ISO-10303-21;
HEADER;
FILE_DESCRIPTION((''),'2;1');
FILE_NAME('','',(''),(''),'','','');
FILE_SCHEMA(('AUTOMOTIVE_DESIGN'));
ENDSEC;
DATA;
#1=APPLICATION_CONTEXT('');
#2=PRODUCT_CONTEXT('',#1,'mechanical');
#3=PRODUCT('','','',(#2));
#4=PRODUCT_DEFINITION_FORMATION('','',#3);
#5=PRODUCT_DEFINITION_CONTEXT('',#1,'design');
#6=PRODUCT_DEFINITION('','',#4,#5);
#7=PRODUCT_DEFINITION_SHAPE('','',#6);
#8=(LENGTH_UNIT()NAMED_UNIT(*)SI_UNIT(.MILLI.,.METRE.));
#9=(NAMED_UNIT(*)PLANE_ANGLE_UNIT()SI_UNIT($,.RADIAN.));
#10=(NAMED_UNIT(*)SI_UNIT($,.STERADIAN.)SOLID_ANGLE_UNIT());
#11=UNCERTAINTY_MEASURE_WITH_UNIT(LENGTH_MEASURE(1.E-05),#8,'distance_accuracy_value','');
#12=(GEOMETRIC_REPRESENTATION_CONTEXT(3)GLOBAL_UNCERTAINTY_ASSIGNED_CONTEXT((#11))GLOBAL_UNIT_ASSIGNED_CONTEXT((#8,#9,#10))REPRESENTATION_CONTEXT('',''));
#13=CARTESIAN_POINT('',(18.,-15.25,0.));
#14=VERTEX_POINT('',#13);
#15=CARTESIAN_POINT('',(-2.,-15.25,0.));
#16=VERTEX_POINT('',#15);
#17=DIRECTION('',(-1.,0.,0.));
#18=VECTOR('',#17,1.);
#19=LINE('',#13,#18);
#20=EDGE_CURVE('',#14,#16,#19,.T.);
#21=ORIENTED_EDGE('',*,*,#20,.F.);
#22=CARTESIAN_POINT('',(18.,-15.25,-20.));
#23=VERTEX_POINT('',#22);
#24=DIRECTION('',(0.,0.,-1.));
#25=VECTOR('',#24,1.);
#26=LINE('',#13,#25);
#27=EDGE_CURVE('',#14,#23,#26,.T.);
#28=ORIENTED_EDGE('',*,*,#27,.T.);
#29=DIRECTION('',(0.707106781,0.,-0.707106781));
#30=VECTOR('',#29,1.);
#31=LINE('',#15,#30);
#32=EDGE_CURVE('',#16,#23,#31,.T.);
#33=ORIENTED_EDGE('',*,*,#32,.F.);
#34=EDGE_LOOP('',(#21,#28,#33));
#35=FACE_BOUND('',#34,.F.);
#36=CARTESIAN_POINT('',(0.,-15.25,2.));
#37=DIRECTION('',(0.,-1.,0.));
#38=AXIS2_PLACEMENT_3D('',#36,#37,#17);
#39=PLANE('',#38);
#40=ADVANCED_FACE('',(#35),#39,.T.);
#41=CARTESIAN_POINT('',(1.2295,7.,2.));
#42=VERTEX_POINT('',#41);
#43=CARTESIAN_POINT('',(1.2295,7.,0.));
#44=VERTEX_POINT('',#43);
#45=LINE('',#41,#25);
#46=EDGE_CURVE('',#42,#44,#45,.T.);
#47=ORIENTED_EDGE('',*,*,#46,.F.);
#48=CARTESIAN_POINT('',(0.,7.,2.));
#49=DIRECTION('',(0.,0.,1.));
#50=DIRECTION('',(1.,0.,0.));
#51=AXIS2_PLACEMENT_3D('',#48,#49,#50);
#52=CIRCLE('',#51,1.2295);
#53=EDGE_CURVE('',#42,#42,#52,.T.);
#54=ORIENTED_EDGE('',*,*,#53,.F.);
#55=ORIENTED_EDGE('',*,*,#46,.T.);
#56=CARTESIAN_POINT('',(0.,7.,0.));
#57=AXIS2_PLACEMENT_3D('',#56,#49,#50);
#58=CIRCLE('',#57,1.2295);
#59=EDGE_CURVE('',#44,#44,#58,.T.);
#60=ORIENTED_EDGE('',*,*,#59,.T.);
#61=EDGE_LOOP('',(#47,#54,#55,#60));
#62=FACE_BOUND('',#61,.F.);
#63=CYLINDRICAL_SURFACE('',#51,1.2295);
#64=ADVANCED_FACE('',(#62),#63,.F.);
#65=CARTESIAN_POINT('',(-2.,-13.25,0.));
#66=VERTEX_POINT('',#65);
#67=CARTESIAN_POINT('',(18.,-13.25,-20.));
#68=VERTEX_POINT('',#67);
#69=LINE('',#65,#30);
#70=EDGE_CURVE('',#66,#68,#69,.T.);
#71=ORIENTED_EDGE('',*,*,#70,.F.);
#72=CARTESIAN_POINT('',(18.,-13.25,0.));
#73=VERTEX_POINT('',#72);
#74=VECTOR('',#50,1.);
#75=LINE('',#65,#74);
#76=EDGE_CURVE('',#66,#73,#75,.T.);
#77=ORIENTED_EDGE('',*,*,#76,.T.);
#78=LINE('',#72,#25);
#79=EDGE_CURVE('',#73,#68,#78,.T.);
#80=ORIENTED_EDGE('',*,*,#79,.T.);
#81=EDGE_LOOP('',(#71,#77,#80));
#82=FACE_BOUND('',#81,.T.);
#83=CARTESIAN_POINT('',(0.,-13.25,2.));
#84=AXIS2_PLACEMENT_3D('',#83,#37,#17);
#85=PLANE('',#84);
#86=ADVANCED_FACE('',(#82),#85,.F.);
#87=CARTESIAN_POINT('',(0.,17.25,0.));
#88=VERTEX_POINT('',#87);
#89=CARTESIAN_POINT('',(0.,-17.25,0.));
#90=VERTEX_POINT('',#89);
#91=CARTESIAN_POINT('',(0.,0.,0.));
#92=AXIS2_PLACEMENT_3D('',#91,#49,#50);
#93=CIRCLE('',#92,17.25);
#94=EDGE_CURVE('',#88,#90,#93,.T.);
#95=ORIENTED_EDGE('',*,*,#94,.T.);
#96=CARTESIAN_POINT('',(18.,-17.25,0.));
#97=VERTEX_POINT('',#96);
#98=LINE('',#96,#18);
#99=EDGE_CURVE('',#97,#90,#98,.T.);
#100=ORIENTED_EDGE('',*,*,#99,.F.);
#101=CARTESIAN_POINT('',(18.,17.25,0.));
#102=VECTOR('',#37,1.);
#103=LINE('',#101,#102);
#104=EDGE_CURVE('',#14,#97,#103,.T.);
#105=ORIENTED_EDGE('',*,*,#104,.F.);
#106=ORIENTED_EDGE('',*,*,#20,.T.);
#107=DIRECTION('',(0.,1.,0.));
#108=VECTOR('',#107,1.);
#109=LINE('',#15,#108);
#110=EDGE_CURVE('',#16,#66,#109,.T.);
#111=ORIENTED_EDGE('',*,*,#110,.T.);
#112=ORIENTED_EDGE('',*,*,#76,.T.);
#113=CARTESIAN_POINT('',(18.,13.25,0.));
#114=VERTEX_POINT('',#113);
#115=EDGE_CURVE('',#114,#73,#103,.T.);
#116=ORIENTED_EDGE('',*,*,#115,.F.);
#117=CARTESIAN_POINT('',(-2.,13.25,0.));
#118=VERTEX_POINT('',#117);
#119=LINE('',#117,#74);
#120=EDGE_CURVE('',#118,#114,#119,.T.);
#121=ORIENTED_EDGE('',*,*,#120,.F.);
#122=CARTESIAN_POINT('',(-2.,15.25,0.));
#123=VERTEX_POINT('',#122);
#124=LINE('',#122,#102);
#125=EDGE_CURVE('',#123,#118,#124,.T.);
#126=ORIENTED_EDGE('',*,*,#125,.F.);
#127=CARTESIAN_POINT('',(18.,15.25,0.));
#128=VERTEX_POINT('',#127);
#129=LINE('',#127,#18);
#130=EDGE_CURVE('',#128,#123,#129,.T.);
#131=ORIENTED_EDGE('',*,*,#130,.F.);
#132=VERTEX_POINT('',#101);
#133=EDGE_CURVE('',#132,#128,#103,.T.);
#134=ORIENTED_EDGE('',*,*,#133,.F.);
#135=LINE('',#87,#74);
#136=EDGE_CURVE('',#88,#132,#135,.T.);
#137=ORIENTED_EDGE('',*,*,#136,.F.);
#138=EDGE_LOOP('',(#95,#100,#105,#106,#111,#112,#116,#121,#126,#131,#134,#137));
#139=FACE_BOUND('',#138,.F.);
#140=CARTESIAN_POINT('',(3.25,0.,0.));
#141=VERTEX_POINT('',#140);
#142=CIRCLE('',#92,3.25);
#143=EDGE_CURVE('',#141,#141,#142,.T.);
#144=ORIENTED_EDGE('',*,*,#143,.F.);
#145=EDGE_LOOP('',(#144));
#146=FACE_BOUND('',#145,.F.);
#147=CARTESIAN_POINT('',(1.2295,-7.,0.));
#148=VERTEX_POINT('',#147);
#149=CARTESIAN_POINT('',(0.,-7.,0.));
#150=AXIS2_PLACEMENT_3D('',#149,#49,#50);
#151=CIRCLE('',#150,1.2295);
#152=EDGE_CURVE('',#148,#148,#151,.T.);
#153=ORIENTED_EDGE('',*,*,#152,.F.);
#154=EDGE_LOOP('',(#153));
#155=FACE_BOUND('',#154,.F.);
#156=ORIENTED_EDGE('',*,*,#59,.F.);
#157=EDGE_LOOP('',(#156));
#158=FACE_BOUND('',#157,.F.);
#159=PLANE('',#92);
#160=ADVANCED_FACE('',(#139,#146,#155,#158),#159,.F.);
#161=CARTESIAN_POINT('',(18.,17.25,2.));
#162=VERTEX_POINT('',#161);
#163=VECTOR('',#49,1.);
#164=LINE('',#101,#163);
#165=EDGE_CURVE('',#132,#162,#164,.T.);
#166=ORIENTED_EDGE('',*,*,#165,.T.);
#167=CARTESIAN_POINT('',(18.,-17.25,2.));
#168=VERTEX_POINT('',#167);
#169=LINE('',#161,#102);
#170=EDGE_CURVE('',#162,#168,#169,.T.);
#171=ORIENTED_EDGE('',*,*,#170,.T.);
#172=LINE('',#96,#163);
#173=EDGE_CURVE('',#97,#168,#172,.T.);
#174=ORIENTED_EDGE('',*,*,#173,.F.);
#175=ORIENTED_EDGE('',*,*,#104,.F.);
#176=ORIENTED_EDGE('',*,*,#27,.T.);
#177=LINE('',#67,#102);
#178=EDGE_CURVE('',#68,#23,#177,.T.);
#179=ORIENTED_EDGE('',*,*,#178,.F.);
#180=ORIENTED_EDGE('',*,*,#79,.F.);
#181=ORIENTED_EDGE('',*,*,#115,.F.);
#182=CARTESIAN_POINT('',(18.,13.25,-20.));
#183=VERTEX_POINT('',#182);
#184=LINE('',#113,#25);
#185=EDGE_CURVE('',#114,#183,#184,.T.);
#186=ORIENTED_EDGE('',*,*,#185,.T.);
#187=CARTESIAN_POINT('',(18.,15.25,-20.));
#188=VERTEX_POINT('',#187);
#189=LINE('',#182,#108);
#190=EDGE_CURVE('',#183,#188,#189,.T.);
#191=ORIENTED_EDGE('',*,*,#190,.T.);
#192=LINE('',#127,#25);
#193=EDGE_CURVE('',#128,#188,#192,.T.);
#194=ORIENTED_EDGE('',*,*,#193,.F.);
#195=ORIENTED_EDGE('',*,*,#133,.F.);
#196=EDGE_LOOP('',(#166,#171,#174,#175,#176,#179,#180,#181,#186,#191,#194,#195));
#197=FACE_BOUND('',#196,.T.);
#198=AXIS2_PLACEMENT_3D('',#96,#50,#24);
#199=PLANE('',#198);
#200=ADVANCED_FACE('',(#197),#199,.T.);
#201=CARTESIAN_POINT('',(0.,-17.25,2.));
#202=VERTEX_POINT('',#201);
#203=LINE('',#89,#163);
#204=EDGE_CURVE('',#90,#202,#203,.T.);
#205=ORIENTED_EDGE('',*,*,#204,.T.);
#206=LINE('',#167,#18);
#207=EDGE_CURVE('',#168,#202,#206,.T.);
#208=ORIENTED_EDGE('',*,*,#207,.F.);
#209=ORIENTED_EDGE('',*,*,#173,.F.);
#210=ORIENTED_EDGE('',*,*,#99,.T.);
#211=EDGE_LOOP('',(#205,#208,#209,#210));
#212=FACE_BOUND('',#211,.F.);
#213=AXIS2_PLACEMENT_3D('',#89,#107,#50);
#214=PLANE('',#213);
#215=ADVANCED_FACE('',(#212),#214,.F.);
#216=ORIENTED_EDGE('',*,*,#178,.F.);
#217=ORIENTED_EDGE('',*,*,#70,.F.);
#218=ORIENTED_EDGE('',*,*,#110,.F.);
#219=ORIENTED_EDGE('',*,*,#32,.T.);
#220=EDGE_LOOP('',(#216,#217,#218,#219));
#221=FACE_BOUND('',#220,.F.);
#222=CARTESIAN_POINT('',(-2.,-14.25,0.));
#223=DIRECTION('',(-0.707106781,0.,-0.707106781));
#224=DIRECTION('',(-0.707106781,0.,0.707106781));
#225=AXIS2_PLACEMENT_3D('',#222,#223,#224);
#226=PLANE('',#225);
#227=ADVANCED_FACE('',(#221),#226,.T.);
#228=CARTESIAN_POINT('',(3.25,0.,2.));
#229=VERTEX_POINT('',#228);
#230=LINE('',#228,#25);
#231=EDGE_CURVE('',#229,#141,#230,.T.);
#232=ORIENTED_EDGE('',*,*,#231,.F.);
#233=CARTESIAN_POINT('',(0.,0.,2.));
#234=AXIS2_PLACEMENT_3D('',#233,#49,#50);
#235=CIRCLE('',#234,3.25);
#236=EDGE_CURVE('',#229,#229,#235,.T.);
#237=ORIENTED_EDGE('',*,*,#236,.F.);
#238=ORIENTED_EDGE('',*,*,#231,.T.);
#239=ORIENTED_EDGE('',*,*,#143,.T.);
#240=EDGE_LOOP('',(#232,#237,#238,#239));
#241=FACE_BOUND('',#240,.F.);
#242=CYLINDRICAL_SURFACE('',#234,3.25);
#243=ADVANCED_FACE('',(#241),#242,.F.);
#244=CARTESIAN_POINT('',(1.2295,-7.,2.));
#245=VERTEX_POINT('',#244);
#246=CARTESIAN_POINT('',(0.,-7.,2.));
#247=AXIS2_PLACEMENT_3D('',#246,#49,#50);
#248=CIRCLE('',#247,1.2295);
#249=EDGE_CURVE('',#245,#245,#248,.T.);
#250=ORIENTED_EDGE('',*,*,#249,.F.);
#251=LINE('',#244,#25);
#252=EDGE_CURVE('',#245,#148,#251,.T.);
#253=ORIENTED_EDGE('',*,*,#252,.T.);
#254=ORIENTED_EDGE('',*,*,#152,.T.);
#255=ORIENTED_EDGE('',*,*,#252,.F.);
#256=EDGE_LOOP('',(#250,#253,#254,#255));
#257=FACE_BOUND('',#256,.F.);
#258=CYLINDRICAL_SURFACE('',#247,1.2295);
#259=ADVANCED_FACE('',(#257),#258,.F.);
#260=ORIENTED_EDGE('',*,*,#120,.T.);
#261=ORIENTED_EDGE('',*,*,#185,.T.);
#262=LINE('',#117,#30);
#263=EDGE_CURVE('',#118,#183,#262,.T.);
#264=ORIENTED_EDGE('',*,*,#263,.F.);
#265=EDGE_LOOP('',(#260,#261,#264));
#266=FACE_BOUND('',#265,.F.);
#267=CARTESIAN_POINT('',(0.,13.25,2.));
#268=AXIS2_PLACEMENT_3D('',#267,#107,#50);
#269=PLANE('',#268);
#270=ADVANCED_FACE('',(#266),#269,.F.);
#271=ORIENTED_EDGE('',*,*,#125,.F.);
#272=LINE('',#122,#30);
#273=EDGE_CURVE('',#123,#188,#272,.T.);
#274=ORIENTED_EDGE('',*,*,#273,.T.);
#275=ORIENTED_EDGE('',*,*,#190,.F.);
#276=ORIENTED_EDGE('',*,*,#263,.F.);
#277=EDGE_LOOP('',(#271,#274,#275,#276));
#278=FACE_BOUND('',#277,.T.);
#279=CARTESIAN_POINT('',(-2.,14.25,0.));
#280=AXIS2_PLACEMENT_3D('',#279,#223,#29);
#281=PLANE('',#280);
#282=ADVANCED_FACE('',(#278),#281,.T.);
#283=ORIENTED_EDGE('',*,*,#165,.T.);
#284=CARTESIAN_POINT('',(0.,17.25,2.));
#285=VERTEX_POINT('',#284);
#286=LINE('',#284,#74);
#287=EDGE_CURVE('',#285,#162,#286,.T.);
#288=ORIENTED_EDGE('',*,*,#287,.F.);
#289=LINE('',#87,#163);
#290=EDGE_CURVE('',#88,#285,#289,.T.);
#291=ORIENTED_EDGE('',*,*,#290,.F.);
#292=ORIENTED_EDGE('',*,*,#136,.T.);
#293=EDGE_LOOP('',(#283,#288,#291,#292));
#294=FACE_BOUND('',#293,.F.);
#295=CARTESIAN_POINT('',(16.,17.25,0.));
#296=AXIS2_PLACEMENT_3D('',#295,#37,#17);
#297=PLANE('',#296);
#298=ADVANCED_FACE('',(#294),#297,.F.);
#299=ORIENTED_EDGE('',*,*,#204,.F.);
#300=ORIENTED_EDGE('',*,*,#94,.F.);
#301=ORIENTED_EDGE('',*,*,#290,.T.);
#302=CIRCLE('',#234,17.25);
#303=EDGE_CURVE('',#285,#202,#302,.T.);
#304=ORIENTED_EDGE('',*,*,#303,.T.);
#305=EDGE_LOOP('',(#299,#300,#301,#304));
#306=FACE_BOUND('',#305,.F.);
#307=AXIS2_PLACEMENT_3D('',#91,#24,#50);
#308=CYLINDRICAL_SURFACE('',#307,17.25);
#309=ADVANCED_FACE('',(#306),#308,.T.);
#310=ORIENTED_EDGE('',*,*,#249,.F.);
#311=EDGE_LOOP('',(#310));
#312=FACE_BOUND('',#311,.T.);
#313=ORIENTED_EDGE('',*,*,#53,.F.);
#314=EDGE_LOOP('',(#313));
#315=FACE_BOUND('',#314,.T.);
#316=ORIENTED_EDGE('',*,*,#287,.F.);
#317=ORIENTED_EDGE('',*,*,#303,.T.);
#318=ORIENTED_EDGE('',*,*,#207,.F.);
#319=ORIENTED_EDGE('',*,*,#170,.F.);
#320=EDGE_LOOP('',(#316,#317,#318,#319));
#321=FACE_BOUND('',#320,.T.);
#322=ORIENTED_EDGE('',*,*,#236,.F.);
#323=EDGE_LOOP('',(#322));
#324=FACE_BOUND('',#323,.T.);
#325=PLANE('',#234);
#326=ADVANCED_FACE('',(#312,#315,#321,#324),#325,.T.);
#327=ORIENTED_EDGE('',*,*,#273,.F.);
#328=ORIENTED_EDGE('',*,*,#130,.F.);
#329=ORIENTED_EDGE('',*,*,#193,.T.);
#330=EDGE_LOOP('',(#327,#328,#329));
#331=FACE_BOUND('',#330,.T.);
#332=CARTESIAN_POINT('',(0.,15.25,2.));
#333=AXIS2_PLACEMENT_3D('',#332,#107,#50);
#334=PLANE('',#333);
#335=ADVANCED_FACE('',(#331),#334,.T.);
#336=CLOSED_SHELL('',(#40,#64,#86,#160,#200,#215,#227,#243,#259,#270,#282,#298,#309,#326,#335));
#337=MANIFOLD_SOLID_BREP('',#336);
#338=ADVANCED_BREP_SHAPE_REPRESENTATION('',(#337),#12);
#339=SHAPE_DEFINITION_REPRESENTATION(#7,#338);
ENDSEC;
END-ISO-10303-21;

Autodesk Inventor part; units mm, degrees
ref_plane "YZ Plane" through (0, 0, 0) normal (1, 0, 0) x (0, 1, 0)
ref_plane "XZ Plane" through (0, 0, 0) normal (0, 1, 0) x (-1, 0, 0)
ref_plane "XY Plane" through (0, 0, 0) normal (0, 0, 1) x (1, 0, 0)
ref_plane "Płaszczyzna konstrukcyjna1" through (0, 0, 0) normal (0, 0, 1) x (1, 0, 0)
sketch "Szkic1" plane through (0, 0, 0) normal (0, 0, 1) x (1, 0, 0)
  circle A0 centre (0, 0) radius 12.25 projected
  circle A1 centre (0, 7) radius 1.2295 projected
  circle A2 centre (0, -7) radius 1.2295 projected
  circle A3 centre (0, 0) radius 17.25
  line L0 (0, -17.25) -> (16, -17.25)
  line L1 (16, -17.25) -> (16, 17.25)
  line L2 (16, 17.25) -> (0, 17.25)
  line L3 (0, 17.25) -> (0, -17.25)
  point P0 (0, 0)
  dimension "d0" = 5
  dimension "d1" = 16
extrude "Wyciągnięcie proste1" add sketch "Szkic1" along normal blind 2
sketch "Szkic2" plane through (0, 0, 2) normal (0, 0, 1) x (1, 0, 0)
  arc A0 (-1.3229, 1.5) -> (1.3229, 1.5) centre (0, 0) ccw projected
  circle A1 centre (0, 7) radius 1.2295 projected
  circle A2 centre (0, -7) radius 1.2295 projected
  circle A3 centre (0, 0) radius 3.25 projected
  point P0 (0, 0)
extrude "Wyciągnięcie proste2" cut sketch "Szkic2" against normal up to next
sketch "Szkic3" plane through (16, -17.25, 0) normal (1, 0, 0) x (0, 0, -1)
  line L0 (0, 0) -> (0, 10.8031) projected
  line L1 (0, 34.5) -> (-2, 34.5) projected
  line L2 (-2, 0) -> (-2, 10.8031) projected
  line L3 (0, 0) -> (-2, 0) projected
  line L4 (-2, 34.5) -> (-2, 34.5)
  line L5 (-2, 34.5) -> (-2, 0)
  line L6 (-2, 0) -> (-2, 0)
  line L7 (-2, 0) -> (-2, 34.5)
  line L8 (0, 0) -> (-2, 0) projected
  line L9 (-2, 34.5) -> (-2, 34.5)
  line L10 (-2, 34.5) -> (-2, 0)
  line L11 (-2, 0) -> (-2, 0)
  line L12 (-2, 0) -> (-2, 34.5)
  line L13 (0, 10.8031) -> (-2, 10.8031) projected
  line L14 (-2, 23.6969) -> (0, 23.6969) projected
  line L15 (0, 23.6969) -> (0, 34.5) projected
  line L16 (-2, 23.6969) -> (-2, 34.5) projected
  point P0 (0, 17.25)
  dimension "d6" = 0
  dimension "d9" = 0
extrude "Wyciągnięcie proste3" add sketch "Szkic3" along normal blind 2
sketch "Szkic5" plane through (0, 0, 2) normal (0, 0, 1) x (1, 0, 0)
  line L0 (0, 17.25) -> (18, 17.25) projected
  line L1 (0, -17.25) -> (18, -17.25) projected
  line L2 (0, -17.25) -> (18, -17.25) projected
  line L3 (18, 17.25) -> (9, 17.25)
  line L4 (9, 17.25) -> (9, -17.25)
  line L5 (9, -17.25) -> (18, -17.25)
  line L6 (18, -17.25) -> (18, 17.25)
  point P0 (0, 0)
extrude "Wyciągnięcie proste4" add sketch "Szkic5" against normal up to surface (2 mm away)
ref_plane "Płaszczyzna konstrukcyjna2" through (0, 14.25, 2) normal (0, 1, 0) x (1, 0, 0)
sketch "Szkic7" plane through (0, 14.25, 2) normal (0, 1, 0) x (1, 0, 0)
  line L0 (18, 2) -> (18, 22)
  line L1 (18, 2) -> (-2, 2)
  line L2 (-3.25, 2) -> (3.25, 2) projected
  line L3 (-2, 2) -> (18, 22)
  point P0 (0, 2)
  dimension "d28" = 20
  dimension "d29" = 20
extrude "Wyciągnięcie proste6" add sketch "Szkic7" along normal mid plane 2
mirror "Odbicie lustrzane1" about plane through (0, 0, 0) normal (0, 1, 0) of "Wyciągnięcie proste6"
ref_plane "Płaszczyzna konstrukcyjna3" through (0, 0, 0) normal (0, 1, 0) x (-1, 0, 0)
properties part number "console"
